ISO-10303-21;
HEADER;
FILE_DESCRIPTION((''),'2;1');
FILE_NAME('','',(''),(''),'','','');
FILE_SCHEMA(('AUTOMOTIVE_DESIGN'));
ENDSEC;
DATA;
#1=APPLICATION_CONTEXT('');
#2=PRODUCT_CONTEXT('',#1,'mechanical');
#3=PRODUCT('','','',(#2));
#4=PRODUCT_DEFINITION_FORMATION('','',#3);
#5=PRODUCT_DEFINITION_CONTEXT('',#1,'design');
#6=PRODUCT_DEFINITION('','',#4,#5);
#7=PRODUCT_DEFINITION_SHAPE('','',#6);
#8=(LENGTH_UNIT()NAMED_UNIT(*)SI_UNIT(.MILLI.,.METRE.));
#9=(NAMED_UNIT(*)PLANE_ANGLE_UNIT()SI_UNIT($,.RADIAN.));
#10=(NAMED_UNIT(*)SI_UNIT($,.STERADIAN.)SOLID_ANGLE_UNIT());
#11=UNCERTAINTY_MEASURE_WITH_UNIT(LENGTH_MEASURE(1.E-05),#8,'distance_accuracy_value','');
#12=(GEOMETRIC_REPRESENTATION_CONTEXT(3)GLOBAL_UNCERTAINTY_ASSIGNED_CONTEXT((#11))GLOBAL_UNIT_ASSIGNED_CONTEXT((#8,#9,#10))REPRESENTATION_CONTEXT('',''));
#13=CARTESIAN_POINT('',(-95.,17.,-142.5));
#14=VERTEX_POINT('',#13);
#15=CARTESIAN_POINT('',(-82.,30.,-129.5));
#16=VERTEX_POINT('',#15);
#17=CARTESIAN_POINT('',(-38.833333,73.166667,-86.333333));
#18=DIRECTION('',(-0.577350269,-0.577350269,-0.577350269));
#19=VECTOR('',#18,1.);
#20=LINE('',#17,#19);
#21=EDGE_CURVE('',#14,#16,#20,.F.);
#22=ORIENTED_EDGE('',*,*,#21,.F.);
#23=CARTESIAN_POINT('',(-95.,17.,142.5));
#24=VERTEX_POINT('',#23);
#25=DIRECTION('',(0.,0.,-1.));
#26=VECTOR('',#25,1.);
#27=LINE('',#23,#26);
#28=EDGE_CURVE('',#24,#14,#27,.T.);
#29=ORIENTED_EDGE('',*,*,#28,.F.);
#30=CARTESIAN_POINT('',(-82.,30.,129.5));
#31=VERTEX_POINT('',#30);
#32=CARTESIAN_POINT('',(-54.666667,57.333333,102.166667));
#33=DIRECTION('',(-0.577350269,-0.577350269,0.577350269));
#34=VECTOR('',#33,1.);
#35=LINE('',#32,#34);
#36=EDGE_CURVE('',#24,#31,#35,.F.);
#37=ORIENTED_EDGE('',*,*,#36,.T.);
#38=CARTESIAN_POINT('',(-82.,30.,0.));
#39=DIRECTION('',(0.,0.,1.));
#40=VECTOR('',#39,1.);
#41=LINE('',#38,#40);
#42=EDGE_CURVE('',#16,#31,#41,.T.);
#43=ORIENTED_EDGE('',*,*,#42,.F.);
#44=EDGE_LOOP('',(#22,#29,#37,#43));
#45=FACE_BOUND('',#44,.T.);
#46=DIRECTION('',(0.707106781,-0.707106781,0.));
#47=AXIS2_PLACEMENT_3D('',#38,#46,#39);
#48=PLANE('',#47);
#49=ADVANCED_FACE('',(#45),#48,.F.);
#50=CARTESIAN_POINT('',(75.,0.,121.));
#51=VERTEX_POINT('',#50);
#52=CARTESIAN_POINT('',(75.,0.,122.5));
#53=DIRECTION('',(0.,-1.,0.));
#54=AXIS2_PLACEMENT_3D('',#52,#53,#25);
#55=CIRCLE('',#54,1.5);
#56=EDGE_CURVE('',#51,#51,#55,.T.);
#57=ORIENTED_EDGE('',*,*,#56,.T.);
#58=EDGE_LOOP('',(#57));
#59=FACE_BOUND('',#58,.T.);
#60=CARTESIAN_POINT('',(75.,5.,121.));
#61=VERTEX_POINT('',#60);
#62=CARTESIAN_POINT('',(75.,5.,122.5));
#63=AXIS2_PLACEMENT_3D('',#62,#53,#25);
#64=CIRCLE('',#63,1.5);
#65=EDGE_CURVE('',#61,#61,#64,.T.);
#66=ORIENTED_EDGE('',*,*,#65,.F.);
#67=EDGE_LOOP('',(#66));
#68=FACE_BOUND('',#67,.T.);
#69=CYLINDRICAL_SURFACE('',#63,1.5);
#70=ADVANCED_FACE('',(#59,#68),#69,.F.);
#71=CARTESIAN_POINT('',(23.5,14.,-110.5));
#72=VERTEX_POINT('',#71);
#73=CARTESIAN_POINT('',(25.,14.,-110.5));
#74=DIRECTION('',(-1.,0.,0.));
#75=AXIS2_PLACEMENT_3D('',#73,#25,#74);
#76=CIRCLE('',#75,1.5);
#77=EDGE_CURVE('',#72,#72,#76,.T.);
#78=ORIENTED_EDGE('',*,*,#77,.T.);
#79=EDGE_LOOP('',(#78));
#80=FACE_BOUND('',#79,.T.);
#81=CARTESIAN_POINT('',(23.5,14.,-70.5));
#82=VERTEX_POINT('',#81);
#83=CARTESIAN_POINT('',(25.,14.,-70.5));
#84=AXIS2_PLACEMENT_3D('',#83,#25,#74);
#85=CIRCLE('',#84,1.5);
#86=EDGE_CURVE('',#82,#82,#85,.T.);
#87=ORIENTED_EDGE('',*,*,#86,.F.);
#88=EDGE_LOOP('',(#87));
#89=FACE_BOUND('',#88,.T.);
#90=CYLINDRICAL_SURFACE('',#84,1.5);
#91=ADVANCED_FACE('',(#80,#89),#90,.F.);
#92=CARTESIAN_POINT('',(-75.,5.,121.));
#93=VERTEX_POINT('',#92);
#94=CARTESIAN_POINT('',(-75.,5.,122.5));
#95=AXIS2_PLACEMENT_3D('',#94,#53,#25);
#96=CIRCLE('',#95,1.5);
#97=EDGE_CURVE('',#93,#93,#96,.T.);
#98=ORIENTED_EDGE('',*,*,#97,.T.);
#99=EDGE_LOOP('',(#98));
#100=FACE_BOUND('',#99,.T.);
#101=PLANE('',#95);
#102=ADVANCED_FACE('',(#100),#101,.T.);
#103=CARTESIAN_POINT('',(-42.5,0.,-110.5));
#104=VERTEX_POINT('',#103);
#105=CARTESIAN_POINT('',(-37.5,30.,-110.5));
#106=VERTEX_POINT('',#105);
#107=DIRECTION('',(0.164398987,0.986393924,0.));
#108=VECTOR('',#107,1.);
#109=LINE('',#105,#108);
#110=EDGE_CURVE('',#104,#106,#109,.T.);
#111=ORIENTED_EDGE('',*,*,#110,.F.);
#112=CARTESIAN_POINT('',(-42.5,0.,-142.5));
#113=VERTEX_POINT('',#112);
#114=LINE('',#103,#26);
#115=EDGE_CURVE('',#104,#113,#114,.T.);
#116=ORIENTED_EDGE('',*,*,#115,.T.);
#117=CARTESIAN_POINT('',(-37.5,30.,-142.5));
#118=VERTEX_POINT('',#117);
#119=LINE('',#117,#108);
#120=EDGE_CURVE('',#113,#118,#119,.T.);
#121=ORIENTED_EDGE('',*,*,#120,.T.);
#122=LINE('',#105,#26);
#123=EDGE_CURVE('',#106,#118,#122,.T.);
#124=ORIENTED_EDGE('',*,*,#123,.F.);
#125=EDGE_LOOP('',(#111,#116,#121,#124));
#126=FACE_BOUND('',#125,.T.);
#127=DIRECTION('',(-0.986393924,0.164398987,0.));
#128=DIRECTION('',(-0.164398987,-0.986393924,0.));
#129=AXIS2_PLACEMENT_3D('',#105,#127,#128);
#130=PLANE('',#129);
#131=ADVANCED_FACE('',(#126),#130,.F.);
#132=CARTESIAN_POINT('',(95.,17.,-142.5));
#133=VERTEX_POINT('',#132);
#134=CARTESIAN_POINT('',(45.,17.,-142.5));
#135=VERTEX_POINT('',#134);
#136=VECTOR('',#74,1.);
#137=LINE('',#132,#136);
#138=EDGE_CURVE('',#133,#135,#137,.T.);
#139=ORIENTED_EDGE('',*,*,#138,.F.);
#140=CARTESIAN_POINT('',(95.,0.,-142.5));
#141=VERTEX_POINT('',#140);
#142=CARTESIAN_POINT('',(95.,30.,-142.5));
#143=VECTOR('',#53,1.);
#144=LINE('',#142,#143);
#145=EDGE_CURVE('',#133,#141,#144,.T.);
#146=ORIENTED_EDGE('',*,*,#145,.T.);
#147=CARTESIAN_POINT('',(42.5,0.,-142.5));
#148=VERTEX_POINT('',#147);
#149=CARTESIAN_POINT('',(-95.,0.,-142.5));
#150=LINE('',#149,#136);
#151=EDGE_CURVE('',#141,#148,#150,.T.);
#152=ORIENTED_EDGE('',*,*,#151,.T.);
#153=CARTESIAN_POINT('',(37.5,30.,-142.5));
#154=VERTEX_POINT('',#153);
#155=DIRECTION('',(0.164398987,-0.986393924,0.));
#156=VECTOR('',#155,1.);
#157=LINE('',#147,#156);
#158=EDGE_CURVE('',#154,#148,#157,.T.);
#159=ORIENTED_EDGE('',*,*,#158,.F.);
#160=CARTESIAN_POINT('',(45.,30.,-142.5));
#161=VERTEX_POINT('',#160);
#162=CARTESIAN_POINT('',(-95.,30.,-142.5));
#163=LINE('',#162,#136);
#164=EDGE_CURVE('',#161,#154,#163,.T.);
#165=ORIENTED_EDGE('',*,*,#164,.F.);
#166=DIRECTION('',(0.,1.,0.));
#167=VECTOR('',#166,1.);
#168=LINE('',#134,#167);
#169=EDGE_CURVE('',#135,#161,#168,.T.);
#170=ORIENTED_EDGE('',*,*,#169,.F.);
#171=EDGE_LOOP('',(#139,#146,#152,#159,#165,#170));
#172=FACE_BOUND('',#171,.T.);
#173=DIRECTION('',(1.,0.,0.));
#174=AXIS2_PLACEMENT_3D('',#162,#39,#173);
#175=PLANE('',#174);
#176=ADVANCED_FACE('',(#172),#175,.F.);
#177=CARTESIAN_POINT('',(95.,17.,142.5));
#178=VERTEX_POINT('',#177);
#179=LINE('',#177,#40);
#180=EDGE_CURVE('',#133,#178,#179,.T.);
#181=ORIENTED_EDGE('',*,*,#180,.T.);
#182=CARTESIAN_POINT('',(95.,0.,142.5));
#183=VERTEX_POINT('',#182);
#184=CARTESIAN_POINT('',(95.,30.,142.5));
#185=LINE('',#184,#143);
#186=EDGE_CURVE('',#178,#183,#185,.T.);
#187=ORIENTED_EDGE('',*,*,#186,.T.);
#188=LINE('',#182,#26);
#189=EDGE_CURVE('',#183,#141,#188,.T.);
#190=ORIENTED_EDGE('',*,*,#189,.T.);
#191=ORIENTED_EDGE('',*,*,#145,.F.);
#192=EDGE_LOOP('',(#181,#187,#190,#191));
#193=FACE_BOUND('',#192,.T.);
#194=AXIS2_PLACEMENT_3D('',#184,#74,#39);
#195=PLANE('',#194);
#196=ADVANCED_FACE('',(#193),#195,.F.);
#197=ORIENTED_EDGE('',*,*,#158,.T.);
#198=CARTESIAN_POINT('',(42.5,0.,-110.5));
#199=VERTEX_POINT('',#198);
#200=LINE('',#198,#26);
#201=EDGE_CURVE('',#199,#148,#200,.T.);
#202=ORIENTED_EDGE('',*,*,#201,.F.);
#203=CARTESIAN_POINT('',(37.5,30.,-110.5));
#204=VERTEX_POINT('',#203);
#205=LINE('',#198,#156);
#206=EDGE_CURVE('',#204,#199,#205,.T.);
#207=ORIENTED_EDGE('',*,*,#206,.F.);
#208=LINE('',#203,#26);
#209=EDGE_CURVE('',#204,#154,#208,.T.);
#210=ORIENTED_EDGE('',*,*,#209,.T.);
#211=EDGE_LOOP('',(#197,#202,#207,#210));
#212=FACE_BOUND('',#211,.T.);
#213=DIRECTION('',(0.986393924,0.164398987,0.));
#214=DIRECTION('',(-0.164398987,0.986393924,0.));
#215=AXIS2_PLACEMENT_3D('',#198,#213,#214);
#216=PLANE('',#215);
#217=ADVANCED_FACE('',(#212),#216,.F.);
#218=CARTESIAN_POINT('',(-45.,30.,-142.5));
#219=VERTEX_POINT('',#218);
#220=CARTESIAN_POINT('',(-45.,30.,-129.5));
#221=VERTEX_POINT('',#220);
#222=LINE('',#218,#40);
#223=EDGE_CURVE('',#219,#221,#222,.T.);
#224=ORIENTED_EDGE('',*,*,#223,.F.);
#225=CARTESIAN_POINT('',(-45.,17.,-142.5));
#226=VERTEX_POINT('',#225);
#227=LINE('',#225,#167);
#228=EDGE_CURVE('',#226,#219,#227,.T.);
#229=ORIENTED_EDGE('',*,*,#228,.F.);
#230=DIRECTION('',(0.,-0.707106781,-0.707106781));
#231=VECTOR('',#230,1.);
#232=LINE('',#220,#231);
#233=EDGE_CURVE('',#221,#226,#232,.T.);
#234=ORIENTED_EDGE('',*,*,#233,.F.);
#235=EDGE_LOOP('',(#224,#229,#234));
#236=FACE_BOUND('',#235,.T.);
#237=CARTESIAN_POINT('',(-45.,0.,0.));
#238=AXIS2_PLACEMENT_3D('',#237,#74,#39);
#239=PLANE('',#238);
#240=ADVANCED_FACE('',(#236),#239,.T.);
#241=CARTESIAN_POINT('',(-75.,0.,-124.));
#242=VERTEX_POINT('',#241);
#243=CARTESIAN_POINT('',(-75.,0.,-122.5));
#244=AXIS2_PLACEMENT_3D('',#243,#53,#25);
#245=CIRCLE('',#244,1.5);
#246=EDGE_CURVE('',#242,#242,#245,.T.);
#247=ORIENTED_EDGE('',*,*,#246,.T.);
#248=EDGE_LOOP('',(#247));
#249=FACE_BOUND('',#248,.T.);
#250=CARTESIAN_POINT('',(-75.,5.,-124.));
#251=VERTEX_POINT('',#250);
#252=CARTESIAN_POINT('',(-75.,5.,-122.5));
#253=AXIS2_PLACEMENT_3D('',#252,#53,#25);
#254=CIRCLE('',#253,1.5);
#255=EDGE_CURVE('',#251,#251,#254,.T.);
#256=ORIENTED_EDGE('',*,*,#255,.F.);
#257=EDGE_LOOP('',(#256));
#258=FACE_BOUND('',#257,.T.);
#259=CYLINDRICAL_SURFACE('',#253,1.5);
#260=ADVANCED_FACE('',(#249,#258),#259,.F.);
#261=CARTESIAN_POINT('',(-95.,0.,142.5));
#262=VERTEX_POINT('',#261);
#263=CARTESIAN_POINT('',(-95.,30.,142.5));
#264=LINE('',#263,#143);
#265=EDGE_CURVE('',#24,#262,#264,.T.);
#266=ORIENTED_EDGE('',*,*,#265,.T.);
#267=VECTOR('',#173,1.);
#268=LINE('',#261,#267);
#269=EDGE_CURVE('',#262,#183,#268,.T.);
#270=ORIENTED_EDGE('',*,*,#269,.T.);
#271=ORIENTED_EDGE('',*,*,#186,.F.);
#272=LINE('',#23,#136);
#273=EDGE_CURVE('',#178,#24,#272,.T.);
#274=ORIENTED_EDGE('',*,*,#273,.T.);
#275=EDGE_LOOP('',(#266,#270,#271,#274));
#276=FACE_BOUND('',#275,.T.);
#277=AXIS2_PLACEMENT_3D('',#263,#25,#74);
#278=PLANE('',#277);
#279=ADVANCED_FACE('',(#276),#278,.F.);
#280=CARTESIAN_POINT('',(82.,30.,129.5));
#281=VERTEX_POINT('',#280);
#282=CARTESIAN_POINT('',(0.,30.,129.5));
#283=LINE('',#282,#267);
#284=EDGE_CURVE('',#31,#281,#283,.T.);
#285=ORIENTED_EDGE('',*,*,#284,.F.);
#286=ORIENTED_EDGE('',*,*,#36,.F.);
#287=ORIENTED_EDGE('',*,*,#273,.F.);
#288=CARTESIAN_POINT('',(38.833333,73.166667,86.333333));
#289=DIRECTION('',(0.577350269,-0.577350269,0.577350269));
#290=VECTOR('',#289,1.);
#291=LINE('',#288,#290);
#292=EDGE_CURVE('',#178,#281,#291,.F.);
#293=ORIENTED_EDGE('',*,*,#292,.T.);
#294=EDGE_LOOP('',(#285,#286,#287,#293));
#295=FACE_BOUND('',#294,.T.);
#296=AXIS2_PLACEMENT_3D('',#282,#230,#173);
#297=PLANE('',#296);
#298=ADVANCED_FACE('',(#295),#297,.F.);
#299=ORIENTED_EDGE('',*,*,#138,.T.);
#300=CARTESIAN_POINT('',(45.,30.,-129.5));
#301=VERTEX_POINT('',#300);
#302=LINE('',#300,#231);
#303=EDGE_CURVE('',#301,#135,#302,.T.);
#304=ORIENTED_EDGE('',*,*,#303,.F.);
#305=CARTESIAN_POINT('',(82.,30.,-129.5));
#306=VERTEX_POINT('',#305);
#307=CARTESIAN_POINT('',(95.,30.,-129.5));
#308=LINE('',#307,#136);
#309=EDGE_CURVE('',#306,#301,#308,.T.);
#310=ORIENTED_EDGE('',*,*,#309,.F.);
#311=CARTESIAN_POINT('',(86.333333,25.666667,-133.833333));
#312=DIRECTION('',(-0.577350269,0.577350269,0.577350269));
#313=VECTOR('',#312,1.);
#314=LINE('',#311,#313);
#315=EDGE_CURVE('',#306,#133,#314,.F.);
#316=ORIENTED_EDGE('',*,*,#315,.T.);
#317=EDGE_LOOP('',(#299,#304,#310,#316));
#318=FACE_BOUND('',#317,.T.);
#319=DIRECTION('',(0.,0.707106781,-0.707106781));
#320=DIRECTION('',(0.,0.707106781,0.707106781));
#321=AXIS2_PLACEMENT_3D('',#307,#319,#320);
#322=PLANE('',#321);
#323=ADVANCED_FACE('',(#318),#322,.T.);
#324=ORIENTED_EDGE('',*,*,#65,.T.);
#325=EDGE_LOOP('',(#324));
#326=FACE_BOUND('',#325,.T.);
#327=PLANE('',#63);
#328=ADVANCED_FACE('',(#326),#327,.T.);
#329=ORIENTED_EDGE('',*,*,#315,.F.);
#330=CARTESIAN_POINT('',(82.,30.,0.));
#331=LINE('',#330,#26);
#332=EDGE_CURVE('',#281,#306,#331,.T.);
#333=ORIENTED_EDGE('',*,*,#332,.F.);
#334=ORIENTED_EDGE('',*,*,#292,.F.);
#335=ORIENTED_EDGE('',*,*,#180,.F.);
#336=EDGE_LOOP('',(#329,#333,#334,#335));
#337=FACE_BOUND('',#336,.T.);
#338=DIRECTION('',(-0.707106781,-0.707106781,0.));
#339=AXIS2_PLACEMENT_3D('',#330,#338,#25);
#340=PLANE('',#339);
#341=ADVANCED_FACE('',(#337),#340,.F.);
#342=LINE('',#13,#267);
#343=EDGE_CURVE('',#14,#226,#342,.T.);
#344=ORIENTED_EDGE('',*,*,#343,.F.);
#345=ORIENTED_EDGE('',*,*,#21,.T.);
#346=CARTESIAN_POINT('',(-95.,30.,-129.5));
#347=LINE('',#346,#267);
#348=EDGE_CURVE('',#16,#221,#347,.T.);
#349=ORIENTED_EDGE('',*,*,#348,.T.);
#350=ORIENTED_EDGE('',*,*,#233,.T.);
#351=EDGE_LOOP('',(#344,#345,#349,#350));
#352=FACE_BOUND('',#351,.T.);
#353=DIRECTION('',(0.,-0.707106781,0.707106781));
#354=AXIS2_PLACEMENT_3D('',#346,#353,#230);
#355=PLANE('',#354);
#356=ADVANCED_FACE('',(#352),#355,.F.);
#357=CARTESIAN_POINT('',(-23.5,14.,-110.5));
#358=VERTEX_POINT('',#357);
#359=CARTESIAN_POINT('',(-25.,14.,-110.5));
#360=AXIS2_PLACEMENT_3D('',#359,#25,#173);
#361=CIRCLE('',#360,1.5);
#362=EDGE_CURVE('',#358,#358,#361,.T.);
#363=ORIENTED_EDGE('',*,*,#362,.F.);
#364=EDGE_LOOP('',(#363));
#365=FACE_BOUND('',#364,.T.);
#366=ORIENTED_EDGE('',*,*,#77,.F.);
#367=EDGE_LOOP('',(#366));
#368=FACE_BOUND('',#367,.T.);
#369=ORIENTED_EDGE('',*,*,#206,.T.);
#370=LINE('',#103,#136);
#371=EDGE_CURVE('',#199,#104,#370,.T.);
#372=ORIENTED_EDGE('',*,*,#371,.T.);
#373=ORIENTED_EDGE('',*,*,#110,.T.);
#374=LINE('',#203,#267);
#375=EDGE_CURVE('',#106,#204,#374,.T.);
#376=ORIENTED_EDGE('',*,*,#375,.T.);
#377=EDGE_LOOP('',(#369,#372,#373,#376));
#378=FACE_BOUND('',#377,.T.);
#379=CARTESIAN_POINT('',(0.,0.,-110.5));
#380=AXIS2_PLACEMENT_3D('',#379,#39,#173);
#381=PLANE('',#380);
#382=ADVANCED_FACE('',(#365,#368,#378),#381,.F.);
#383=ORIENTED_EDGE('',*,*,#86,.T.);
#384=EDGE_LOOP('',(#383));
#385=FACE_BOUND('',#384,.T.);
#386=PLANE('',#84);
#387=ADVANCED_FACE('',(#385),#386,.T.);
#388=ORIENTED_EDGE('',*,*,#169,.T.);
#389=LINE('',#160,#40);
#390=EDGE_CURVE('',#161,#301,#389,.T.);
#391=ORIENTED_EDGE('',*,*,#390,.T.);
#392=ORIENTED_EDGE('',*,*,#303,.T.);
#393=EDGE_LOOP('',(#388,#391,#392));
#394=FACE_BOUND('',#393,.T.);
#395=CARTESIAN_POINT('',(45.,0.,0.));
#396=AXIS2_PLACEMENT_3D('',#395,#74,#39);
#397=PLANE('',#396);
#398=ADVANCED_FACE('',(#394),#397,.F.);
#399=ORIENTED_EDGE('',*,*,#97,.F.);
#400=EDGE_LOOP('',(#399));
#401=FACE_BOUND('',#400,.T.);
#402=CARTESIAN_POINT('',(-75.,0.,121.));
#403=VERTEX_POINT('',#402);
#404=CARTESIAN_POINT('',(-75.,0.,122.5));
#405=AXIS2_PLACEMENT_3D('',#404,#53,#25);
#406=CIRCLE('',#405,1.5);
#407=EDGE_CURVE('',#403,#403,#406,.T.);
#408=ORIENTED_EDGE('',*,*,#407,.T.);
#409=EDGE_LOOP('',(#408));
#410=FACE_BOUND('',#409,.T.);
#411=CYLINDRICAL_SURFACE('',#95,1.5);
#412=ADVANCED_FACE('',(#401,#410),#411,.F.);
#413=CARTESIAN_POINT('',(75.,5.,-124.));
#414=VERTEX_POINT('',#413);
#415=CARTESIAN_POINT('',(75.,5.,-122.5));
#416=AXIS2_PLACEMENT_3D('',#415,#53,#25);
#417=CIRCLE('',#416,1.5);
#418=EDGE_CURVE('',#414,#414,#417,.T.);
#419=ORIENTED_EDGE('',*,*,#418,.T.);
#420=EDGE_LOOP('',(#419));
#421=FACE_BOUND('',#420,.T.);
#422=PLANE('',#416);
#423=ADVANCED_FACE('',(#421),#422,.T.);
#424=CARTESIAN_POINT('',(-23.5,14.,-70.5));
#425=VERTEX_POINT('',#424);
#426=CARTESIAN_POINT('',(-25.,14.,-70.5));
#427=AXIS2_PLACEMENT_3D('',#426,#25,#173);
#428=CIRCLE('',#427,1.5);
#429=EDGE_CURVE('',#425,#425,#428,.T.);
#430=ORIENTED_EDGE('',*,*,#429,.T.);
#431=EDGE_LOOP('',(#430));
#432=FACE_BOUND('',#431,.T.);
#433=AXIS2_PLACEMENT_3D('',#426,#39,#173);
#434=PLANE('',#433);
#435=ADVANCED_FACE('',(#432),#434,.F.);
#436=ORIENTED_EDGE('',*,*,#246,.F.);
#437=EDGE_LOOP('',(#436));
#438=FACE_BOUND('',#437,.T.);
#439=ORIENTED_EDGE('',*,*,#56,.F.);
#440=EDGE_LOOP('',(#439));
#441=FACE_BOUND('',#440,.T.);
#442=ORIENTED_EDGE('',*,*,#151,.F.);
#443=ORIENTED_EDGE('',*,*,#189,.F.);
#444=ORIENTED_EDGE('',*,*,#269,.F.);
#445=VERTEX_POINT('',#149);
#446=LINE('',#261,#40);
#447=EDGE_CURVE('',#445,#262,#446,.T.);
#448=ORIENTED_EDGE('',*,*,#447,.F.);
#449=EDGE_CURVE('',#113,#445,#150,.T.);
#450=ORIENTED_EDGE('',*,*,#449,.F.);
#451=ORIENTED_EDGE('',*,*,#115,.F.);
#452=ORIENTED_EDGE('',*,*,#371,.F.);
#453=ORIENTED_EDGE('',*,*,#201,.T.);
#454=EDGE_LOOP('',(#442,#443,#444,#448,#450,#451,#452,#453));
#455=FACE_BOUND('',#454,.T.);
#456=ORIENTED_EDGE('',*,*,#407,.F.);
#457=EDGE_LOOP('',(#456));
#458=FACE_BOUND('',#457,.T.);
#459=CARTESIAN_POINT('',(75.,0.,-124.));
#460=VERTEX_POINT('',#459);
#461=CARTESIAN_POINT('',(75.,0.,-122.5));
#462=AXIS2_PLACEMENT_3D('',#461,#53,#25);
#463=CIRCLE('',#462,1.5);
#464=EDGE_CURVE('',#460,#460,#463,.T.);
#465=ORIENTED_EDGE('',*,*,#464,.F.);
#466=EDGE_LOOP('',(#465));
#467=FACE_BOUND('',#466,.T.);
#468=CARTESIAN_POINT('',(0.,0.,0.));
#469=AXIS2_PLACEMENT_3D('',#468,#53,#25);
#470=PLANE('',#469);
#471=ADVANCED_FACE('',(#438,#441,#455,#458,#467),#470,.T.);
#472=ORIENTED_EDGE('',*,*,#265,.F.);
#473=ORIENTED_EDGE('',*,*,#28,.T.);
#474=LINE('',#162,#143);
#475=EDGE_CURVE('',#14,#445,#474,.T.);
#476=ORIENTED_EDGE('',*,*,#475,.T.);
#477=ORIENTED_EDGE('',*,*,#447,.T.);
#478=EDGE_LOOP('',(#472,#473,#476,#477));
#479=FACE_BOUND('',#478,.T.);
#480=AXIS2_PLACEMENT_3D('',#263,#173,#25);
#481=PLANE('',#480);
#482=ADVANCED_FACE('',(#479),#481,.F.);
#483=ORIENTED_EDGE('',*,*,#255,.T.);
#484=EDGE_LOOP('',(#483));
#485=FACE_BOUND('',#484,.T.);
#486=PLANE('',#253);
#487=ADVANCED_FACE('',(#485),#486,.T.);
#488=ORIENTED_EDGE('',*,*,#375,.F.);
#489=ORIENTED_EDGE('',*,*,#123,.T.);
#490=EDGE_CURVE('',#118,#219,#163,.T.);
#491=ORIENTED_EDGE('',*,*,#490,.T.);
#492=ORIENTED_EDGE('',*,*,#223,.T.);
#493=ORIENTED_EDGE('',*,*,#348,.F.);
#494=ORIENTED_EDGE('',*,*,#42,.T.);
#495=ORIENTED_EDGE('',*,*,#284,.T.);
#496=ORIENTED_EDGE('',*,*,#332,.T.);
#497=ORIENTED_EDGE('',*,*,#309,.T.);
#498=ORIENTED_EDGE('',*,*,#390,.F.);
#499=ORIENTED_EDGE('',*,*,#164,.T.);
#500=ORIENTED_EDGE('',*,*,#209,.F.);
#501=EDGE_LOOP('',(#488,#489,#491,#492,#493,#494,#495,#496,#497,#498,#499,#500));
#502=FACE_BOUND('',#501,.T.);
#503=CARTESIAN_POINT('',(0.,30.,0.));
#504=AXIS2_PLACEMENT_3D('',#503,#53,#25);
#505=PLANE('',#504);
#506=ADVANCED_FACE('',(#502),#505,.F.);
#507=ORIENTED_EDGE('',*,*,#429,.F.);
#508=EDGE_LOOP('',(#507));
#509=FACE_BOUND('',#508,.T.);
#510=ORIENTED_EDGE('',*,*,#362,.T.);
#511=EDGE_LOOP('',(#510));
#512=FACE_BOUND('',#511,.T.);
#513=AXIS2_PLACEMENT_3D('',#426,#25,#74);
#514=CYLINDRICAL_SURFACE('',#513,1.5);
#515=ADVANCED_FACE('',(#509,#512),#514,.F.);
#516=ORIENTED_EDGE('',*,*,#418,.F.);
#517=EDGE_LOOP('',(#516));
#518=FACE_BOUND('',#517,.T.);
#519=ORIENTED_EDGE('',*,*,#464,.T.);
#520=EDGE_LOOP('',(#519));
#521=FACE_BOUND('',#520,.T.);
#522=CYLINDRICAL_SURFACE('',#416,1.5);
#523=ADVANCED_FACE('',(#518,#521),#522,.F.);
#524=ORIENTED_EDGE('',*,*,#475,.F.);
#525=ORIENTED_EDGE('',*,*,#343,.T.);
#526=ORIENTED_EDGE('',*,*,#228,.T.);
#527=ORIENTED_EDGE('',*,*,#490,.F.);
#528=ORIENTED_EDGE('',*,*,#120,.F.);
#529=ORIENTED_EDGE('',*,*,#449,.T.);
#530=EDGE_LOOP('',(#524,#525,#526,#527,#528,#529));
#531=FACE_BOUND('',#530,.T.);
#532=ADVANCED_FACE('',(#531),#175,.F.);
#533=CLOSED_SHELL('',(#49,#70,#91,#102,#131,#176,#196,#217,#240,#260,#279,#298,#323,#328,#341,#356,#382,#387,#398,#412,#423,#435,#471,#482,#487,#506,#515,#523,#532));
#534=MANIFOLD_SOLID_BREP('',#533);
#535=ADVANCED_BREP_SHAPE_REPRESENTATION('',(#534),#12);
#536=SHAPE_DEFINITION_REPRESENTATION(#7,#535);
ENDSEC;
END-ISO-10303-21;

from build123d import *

# Parameters (mm, degrees)
SKETCH1_W           = 190
SKETCH1_H           = 285
BOSS_EXTRUDE1_DEPTH = 30
CUT_EXTRUDE1_DEPTH  = 32
SKETCH4_R           = 1.5
CUT_EXTRUDE2_DEPTH  = 40
CUT_EXTRUDE3_START  = 45
CUT_EXTRUDE3_DEPTH  = 51
CUT_EXTRUDE4_START  = -45
CUT_EXTRUDE4_DEPTH  = 51
CHAMFER1_SIZE       = 13
SKETCH6_R           = 1.5
CUT_EXTRUDE5_DEPTH  = 5


with BuildPart() as part:
    # Sketch1 → Boss-Extrude1 (new body)
    with BuildSketch(Plane(origin=(0, 0, 0), x_dir=(1, 0, 0), z_dir=(0, 1, 0))):
        Rectangle(SKETCH1_W, SKETCH1_H)
    extrude(amount=BOSS_EXTRUDE1_DEPTH)

    # Sketch3 → Cut-Extrude1 (cut)
    with BuildSketch(Plane(origin=(0, 0, -142.5), x_dir=(-1, 0, 0), z_dir=(0, 0, -1))):
        Polygon((-37.5, 30), (37.5, 30), (42.5, 0), (-42.5, 0), align=None)
    extrude(amount=-CUT_EXTRUDE1_DEPTH, mode=Mode.SUBTRACT)

    # Sketch4 → Cut-Extrude2 (cut)
    with BuildSketch(Plane(origin=(0, 0, -110.5), x_dir=(-1, 0, 0), z_dir=(0, 0, -1))):
        with Locations((-25, 14)):
            Circle(SKETCH4_R)
        with Locations(Location((25, 14, 0), (0, 0, 180))):  # turned: the seam where the file's is
            Circle(SKETCH4_R)
    extrude(amount=-CUT_EXTRUDE2_DEPTH, mode=Mode.SUBTRACT)

    # Sketch5 → Cut-Extrude3 (cut, through all)
    with BuildSketch(Plane(origin=(0, 0, 0), x_dir=(0, 0, -1), z_dir=(1, 0, 0)).offset(CUT_EXTRUDE3_START)):
        Polygon((129.5, 30), (142.5, 17), (142.5, 30), align=None)
    extrude(amount=CUT_EXTRUDE3_DEPTH, mode=Mode.SUBTRACT)

    # Sketch5_2 → Cut-Extrude4 (cut, through all)
    with BuildSketch(Plane(origin=(0, 0, 0), x_dir=(0, 0, -1), z_dir=(1, 0, 0)).offset(CUT_EXTRUDE4_START)):
        Polygon((129.5, 30), (142.5, 17), (142.5, 30), align=None)
    extrude(amount=-CUT_EXTRUDE4_DEPTH, mode=Mode.SUBTRACT)

    # Chamfer1
    chamfer1_edges = [part.edges().sort_by_distance(p)[0] for p in [
        (-95, 30, 6.5),
        (0, 30, 142.5),
        (95, 30, 6.5),
    ]]
    chamfer(chamfer1_edges, length=CHAMFER1_SIZE)

    # Sketch6 → Cut-Extrude5 (cut)
    with BuildSketch(Plane.XZ):
        with Locations(Location((-75, 122.5, 0), (0, 0, 270))):  # turned: the seam where the file's is
            Circle(SKETCH6_R)
        with Locations(Location((75, 122.5, 0), (0, 0, 270))):  # turned: the seam where the file's is
            Circle(SKETCH6_R)
        with Locations(Location((-75, -122.5, 0), (0, 0, 270))):  # turned: the seam where the file's is
            Circle(SKETCH6_R)
        with Locations(Location((75, -122.5, 0), (0, 0, 270))):  # turned: the seam where the file's is
            Circle(SKETCH6_R)
    extrude(amount=-CUT_EXTRUDE5_DEPTH, mode=Mode.SUBTRACT)


solid = part.part
